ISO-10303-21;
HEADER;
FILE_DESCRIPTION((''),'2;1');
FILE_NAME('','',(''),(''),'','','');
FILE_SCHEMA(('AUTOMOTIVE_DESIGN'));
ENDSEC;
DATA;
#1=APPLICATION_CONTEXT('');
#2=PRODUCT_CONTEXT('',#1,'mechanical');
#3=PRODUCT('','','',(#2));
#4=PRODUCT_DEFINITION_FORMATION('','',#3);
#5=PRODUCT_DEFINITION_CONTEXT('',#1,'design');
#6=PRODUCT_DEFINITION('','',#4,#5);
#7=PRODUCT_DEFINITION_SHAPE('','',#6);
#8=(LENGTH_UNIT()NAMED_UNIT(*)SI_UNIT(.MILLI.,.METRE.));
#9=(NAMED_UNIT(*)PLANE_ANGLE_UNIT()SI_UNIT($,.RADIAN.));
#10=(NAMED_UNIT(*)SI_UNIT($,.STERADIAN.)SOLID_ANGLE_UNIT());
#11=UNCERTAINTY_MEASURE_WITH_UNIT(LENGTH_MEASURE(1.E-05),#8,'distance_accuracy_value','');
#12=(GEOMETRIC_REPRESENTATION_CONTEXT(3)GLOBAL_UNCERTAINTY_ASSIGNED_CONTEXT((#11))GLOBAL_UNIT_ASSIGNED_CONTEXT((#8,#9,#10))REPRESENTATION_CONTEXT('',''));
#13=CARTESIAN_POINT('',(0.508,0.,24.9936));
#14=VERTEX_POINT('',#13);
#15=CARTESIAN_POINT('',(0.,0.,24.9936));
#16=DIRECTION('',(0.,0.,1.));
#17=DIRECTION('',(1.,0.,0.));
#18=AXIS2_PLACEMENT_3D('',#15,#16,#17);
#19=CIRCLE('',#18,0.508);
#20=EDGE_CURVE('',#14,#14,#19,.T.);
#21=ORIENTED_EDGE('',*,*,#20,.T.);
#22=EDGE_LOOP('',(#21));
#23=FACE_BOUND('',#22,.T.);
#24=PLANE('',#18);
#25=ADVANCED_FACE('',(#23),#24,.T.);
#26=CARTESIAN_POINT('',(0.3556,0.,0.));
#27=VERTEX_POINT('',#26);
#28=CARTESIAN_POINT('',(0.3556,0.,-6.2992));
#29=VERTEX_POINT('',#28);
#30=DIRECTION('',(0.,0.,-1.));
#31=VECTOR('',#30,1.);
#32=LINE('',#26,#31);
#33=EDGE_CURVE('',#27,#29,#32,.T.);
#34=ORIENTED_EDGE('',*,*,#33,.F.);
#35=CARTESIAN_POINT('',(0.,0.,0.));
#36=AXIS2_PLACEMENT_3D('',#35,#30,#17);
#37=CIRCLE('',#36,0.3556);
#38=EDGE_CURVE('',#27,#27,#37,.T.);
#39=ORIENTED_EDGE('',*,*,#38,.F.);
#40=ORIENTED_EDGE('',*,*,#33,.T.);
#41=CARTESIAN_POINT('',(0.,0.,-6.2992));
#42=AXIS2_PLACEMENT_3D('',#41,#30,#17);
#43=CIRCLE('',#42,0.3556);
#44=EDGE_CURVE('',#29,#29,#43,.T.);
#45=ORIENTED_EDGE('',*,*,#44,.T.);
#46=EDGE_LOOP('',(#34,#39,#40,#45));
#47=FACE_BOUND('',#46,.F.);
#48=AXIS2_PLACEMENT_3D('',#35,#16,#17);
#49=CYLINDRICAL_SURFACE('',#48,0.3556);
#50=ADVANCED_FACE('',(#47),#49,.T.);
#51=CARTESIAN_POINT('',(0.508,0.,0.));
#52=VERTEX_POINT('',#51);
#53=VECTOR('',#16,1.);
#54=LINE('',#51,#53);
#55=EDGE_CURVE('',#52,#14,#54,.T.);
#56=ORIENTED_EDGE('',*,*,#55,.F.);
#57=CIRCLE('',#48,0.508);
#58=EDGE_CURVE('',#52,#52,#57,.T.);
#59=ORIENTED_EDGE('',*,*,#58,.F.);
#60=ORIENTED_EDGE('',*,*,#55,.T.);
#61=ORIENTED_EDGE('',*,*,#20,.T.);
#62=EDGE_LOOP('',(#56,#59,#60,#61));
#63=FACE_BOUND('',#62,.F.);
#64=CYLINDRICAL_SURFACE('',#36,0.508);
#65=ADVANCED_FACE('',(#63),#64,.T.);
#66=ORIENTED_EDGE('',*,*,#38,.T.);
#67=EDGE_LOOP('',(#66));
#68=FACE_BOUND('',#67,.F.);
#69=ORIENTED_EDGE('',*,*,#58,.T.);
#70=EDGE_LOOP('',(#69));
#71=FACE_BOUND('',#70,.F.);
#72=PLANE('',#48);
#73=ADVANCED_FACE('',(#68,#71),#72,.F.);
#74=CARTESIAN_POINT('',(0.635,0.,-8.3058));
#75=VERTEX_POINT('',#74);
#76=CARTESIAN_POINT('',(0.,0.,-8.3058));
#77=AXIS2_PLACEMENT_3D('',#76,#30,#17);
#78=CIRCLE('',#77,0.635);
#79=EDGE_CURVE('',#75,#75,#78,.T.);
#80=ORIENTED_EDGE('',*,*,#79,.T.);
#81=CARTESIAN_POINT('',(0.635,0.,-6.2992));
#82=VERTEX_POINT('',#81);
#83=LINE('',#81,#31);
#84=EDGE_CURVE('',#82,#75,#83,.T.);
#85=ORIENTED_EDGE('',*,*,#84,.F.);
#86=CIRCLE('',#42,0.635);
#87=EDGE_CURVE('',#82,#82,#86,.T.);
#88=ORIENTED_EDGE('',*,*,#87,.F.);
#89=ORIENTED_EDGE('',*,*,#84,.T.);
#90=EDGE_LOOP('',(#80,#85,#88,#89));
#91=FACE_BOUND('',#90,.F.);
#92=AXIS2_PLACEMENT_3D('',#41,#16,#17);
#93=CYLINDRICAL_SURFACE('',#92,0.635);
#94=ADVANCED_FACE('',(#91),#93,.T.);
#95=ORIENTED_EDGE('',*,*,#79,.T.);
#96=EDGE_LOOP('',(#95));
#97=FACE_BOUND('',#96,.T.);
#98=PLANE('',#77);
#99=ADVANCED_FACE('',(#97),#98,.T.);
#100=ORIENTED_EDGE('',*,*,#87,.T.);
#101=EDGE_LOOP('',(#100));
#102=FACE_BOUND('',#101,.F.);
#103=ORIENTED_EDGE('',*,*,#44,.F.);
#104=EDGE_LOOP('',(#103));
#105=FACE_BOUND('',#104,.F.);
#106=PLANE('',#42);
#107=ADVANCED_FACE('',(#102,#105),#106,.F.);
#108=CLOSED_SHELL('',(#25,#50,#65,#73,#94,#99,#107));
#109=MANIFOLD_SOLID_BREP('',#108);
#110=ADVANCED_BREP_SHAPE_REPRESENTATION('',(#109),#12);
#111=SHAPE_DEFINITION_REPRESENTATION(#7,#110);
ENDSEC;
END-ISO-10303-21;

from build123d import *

# Parameters (mm, degrees)
F0_R     = 0.508
F1_DEPTH = 24.9936
F2_R     = 0.3556
F3_DEPTH = 6.2992
F4_R     = 0.635
F5_DEPTH = 2.0066


with BuildPart() as f1:
    # F0 (on Top) → F1 (new body)
    with BuildSketch(Plane.XY):
        Circle(F0_R)
    extrude(amount=F1_DEPTH)

    # F2 (on face) → F3 (join)
    with BuildSketch(Plane(origin=(0, 0, 0), x_dir=(1, 0, 0), z_dir=(0, 0, -1))):
        Circle(F2_R)
    extrude(amount=F3_DEPTH)

    # F4 (on face) → F5 (join)
    with BuildSketch(Plane(origin=(0, 0, -6.2992), x_dir=(1, 0, 0), z_dir=(0, 0, -1))):
        Circle(F4_R)
    extrude(amount=F5_DEPTH)


solid = f1.part
